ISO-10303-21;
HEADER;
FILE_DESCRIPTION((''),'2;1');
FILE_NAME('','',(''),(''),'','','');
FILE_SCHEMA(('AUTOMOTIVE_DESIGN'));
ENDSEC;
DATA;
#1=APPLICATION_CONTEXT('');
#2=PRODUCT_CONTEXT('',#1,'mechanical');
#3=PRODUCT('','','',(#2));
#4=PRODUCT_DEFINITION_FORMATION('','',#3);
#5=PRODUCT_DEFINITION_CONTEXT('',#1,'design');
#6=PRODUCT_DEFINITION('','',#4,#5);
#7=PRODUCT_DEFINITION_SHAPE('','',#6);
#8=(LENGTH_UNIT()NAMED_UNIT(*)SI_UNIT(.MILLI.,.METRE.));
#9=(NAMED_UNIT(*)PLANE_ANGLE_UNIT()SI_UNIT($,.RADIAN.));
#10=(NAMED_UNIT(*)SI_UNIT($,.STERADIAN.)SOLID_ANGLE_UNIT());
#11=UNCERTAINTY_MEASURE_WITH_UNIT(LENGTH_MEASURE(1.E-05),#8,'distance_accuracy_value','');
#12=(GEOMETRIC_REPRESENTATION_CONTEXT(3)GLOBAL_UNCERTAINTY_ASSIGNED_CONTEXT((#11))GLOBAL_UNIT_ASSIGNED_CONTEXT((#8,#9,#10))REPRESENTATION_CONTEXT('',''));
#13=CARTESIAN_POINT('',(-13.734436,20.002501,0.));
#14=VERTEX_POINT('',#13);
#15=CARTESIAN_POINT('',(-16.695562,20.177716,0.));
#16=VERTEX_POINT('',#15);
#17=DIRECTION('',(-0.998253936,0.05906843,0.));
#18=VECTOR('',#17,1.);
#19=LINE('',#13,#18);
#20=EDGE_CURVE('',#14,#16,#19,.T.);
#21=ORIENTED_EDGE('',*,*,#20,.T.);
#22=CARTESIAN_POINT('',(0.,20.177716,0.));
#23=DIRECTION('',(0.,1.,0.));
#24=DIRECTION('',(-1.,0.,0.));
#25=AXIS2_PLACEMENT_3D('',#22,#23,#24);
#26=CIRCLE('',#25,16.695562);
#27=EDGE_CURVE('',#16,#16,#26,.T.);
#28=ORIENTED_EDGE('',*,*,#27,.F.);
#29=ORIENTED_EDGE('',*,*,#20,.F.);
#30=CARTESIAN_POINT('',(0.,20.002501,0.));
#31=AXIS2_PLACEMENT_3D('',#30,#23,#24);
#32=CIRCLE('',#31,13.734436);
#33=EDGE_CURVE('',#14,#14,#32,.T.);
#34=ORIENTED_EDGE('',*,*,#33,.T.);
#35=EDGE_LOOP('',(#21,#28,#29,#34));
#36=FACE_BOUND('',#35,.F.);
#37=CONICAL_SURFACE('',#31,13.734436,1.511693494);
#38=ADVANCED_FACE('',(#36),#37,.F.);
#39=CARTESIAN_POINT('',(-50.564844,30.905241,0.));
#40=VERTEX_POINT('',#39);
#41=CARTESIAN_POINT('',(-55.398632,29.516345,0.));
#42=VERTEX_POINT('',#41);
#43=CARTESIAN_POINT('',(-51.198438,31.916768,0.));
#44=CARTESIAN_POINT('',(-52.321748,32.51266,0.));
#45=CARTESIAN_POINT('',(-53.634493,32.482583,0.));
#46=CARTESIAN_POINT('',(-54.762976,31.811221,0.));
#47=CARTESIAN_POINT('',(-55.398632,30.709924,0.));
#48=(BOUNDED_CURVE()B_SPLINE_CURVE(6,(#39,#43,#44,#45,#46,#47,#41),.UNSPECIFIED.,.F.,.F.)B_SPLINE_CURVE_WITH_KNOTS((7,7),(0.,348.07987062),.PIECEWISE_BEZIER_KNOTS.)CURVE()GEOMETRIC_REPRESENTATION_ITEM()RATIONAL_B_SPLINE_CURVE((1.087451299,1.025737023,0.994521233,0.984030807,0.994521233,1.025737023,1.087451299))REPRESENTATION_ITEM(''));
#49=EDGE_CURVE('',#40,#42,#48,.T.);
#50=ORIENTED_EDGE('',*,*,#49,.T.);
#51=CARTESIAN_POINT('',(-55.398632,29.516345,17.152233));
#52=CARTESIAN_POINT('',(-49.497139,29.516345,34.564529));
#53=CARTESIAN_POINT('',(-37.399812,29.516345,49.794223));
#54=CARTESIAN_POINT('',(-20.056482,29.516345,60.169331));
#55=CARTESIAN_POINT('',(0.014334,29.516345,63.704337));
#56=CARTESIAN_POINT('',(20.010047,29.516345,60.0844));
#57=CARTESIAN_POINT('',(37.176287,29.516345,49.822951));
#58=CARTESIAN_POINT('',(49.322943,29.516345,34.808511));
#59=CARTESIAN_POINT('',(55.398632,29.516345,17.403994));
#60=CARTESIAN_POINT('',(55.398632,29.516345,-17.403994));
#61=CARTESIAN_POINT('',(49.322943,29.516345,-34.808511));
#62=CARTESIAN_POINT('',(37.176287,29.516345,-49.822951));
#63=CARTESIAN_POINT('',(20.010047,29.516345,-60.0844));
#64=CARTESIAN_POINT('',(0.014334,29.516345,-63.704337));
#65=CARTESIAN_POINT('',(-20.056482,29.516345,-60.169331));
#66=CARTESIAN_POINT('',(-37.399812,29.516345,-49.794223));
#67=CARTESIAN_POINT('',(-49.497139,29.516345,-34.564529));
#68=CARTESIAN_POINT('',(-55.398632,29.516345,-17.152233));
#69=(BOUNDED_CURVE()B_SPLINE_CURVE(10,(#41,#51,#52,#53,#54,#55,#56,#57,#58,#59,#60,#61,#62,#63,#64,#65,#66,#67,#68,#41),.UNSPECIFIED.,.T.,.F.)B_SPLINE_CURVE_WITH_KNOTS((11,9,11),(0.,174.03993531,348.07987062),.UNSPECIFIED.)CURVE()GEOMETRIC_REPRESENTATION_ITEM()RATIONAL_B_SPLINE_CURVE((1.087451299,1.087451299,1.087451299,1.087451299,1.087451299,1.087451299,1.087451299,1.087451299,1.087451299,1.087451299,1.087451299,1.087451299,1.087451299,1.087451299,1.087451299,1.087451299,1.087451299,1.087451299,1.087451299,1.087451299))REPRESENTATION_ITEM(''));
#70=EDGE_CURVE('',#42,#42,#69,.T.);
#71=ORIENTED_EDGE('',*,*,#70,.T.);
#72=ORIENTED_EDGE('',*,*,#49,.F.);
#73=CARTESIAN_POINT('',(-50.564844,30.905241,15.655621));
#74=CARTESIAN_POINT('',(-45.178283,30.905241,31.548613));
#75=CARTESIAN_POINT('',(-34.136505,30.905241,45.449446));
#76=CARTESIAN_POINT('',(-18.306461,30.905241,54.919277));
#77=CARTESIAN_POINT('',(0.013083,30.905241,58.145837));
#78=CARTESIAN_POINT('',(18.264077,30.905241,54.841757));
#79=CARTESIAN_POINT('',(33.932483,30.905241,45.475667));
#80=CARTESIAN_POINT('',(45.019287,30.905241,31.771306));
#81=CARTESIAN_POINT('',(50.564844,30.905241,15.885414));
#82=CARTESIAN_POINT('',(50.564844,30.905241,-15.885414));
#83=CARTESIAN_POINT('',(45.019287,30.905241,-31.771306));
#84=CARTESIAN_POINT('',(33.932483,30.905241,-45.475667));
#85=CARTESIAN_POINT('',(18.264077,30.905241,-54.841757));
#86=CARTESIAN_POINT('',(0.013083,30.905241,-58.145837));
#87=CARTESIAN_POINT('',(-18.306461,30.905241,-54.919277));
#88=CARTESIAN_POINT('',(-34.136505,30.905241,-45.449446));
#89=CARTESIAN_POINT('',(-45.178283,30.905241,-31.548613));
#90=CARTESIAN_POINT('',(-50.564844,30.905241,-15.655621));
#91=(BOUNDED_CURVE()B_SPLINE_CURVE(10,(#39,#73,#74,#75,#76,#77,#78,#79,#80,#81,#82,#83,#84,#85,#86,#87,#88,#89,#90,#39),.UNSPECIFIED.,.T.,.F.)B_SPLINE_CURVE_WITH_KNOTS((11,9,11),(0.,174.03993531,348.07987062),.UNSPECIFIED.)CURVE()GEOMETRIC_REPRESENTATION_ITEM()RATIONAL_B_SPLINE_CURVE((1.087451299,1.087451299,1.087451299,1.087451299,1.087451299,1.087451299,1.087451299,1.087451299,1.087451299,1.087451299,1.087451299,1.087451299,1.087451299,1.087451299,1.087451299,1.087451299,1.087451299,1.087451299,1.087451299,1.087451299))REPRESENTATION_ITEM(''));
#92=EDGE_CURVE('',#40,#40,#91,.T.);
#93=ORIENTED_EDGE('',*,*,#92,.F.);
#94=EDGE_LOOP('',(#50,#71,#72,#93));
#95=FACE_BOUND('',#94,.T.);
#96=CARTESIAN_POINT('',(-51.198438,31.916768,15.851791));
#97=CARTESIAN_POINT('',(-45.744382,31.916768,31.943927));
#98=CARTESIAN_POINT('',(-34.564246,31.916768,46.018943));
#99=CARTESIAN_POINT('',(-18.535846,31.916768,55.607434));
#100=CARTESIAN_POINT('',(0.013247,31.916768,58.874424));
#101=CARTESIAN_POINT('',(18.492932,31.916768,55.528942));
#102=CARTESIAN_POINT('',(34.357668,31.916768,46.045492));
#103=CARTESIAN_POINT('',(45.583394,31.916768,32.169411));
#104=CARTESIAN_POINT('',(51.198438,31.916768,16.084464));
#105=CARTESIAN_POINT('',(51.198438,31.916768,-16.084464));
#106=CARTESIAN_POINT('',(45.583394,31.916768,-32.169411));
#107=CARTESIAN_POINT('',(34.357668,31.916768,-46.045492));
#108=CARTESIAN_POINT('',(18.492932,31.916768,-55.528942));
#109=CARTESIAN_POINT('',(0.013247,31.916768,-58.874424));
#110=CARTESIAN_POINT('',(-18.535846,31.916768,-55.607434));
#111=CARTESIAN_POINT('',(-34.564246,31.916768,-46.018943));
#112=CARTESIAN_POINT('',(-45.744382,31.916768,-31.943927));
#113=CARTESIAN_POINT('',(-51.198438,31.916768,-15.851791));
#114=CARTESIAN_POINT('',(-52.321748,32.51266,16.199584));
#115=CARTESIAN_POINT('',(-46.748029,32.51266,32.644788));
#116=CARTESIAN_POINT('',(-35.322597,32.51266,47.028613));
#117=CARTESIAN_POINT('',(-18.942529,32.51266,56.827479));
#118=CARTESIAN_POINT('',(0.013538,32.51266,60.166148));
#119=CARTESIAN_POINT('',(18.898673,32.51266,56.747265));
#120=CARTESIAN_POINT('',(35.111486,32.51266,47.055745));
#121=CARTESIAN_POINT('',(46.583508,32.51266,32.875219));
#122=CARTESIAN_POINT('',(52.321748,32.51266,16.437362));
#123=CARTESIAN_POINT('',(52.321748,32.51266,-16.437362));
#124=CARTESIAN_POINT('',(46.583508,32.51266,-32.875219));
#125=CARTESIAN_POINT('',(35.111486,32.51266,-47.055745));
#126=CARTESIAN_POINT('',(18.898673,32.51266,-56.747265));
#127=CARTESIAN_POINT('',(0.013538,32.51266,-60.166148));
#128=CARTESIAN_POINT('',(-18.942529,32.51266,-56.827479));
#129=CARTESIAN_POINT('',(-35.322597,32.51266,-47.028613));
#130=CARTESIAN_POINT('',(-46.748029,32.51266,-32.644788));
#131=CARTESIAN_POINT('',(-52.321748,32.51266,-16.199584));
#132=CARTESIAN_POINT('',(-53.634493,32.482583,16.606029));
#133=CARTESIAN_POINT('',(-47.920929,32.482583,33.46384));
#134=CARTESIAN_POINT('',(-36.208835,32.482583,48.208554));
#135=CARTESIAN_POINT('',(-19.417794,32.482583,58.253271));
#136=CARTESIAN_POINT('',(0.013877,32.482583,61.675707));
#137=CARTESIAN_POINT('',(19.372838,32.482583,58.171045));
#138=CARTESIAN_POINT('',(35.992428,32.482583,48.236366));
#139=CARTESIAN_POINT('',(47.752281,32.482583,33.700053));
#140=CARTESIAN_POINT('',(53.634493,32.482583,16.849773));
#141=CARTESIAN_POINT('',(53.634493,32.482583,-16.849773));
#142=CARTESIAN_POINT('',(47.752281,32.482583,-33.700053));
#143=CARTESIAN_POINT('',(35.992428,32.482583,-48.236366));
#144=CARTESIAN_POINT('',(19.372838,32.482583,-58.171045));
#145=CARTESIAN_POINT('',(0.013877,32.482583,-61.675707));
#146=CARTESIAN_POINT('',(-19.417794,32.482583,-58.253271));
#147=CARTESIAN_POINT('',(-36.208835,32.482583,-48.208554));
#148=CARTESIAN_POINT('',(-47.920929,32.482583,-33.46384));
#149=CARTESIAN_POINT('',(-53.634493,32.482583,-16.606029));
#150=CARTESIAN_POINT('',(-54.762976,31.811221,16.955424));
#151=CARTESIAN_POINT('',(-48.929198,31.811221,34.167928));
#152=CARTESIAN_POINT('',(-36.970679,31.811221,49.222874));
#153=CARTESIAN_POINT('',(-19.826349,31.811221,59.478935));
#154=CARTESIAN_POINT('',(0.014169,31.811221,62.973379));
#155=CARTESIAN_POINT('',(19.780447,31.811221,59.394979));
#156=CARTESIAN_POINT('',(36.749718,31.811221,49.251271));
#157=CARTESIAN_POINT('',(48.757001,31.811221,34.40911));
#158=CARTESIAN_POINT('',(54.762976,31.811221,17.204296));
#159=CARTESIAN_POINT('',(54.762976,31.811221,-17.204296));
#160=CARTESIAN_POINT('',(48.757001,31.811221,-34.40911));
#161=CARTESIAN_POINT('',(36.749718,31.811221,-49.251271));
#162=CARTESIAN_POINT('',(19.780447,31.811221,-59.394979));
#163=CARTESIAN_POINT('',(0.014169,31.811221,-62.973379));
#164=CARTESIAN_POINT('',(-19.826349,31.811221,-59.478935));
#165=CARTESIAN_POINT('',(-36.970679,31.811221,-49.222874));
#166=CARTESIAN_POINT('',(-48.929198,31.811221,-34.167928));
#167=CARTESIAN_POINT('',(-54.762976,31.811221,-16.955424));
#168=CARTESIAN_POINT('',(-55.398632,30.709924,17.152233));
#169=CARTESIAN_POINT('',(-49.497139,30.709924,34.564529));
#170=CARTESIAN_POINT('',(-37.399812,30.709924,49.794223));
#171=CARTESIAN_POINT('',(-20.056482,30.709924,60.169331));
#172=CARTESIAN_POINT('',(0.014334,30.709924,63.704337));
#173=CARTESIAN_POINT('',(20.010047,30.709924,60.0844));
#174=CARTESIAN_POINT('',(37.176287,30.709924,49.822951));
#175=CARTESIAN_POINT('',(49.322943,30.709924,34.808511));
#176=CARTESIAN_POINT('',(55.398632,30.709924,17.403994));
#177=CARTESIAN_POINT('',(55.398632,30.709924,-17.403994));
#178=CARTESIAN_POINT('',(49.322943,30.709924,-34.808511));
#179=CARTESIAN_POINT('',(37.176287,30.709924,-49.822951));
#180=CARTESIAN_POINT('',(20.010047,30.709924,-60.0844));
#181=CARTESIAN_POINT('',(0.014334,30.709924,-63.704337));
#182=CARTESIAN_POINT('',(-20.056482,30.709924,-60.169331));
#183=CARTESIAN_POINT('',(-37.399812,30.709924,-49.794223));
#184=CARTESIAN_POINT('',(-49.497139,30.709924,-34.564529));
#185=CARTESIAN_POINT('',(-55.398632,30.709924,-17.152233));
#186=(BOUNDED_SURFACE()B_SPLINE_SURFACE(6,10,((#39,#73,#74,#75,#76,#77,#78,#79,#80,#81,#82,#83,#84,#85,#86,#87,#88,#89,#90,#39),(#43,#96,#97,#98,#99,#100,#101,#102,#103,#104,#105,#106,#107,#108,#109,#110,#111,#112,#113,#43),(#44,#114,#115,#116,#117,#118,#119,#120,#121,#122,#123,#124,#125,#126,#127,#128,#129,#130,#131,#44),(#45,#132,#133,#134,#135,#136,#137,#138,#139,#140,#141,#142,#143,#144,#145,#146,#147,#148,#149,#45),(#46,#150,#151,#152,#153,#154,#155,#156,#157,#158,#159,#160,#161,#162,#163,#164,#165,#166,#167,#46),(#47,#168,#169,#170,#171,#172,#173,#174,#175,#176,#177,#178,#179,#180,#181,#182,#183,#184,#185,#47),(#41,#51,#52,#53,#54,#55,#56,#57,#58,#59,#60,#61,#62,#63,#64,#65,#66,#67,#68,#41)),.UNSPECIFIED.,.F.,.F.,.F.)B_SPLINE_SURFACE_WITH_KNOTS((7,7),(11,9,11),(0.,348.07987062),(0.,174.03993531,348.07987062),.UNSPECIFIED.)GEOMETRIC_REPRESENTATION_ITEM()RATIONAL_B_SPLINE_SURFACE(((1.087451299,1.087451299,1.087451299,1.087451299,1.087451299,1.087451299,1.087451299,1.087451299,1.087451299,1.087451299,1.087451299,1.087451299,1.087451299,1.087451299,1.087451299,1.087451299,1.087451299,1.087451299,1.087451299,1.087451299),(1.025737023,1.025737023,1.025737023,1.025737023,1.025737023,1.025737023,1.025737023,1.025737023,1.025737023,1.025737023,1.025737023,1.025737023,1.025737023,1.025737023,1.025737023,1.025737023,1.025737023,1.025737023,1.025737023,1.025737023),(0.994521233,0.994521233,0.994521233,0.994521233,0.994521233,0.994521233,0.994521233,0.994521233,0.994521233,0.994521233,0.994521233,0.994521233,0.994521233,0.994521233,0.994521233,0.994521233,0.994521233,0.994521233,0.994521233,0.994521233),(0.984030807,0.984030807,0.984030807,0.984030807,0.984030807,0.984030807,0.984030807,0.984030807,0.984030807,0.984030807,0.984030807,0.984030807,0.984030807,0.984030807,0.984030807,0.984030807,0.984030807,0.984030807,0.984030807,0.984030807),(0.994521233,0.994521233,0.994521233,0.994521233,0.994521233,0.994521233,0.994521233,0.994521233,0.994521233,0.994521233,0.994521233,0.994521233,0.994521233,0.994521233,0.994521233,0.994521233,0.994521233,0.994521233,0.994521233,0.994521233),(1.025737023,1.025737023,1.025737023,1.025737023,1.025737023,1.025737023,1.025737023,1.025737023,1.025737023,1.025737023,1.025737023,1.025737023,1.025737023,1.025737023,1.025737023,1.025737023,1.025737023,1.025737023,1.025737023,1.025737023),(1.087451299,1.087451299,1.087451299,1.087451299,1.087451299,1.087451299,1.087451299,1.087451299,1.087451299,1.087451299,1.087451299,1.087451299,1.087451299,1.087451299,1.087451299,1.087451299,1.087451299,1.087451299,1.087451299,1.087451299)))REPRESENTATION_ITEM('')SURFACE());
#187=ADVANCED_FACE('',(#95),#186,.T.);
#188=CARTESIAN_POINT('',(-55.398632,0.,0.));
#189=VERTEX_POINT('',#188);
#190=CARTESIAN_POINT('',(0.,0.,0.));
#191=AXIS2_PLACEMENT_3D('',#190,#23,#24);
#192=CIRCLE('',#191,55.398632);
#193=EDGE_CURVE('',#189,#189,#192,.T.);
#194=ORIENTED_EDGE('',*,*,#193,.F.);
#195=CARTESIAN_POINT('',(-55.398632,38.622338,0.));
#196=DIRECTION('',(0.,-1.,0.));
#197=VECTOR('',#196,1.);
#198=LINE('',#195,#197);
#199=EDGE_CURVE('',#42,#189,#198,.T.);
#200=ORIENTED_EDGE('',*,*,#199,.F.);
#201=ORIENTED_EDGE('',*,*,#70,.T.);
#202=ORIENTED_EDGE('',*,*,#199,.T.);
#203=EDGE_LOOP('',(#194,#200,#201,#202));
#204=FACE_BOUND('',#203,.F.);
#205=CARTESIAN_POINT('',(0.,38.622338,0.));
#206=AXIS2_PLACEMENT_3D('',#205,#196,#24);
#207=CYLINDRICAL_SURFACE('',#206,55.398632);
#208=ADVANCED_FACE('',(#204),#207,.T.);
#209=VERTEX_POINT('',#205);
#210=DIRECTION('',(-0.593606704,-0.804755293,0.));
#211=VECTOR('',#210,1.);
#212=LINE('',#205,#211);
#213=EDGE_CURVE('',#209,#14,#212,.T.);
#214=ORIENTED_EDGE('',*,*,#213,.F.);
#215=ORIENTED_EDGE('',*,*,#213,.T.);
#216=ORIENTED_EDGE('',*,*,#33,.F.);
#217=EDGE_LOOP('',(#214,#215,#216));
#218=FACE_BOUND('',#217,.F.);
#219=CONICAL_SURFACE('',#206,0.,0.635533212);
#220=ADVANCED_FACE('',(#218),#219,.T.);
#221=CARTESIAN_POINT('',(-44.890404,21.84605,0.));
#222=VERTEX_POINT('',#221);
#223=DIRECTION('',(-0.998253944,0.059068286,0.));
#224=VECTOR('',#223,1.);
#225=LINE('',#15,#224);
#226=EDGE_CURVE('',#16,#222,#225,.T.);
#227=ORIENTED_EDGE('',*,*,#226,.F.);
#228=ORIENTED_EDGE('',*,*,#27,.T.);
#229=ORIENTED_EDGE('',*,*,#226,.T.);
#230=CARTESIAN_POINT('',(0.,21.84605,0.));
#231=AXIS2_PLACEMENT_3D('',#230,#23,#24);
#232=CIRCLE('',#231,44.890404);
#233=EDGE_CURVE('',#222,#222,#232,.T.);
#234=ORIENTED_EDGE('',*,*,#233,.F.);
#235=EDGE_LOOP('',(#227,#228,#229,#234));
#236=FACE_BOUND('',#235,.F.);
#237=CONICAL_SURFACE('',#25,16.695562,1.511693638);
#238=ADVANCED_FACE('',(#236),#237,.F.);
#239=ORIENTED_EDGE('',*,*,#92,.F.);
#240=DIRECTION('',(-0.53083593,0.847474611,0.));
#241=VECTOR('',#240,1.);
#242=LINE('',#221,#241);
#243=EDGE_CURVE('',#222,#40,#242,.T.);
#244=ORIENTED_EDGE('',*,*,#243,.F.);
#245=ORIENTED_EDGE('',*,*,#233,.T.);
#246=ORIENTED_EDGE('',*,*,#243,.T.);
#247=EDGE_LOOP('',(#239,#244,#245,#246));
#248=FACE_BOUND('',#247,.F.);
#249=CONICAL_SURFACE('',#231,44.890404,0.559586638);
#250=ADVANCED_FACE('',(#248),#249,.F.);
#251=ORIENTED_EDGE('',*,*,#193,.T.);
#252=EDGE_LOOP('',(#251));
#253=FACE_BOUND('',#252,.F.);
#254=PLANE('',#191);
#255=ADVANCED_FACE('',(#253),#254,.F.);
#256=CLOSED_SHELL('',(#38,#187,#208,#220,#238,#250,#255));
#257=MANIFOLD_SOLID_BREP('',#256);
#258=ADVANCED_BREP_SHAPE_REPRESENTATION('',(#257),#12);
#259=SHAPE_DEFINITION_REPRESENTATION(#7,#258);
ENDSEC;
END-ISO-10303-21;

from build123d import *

# Parameters (mm, degrees)
F2_R = 2.61643


with BuildPart() as f1:
    # F0 (on Top) → F1 (revolve)
    with BuildSketch(Plane.XY):
        Polygon((-55.398632, 0), (0, 0), (0, 38.622338), (-13.734436, 20.002501), (-16.695562, 20.177716), (-44.890404, 21.84605), (-55.398632, 38.622338), align=None)
    revolve(axis=Axis((0, 19.311169, 0), (0, 1, 0)))

    # F2
    f2_edges = [f1.edges().sort_by_distance(p)[0] for p in [
        (55.398632, 38.622338, 0),
    ]]
    fillet(f2_edges, radius=F2_R)


solid = f1.part
